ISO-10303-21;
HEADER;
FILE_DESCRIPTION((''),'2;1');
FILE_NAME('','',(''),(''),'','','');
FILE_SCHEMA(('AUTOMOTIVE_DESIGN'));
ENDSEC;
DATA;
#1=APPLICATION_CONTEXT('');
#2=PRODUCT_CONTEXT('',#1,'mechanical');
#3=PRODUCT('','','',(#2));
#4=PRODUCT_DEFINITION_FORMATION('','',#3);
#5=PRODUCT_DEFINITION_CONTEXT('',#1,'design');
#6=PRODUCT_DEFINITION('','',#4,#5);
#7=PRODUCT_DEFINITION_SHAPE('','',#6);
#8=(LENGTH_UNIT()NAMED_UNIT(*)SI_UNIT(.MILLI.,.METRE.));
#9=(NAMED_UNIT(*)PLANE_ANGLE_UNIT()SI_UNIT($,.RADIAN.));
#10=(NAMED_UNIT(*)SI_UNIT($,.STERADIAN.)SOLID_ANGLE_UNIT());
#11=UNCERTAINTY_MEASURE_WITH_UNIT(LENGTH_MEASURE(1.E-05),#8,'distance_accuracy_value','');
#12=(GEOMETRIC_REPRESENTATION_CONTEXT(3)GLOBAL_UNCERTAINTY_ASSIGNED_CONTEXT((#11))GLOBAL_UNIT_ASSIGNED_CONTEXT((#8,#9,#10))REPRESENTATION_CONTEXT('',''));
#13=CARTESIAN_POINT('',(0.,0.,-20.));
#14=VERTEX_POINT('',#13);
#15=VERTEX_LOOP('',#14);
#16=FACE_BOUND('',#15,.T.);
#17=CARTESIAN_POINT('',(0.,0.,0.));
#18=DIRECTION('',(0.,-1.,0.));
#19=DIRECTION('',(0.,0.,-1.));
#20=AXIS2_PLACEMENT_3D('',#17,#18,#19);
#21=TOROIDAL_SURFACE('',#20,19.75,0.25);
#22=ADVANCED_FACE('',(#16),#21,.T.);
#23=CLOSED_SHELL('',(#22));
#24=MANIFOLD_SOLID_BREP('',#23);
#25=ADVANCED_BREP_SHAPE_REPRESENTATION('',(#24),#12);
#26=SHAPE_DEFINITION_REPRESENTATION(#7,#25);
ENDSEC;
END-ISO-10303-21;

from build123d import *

# Parameters (mm, degrees)
ESQUISSE1_R = 0.25


with BuildPart() as part:
    # Esquisse1 → Révolution1 (revolve)
    with BuildSketch(Plane.XY, mode=Mode.PRIVATE) as r_volution1_sk:
        with Locations((-19.75, 0)):
            Circle(ESQUISSE1_R)
    revolve(r_volution1_sk.sketch.rotate(Axis((0, 0, 0), (0, 1, 0)), 270), axis=Axis((0, 0, 0), (0, 1, 0)))


solid = part.part
